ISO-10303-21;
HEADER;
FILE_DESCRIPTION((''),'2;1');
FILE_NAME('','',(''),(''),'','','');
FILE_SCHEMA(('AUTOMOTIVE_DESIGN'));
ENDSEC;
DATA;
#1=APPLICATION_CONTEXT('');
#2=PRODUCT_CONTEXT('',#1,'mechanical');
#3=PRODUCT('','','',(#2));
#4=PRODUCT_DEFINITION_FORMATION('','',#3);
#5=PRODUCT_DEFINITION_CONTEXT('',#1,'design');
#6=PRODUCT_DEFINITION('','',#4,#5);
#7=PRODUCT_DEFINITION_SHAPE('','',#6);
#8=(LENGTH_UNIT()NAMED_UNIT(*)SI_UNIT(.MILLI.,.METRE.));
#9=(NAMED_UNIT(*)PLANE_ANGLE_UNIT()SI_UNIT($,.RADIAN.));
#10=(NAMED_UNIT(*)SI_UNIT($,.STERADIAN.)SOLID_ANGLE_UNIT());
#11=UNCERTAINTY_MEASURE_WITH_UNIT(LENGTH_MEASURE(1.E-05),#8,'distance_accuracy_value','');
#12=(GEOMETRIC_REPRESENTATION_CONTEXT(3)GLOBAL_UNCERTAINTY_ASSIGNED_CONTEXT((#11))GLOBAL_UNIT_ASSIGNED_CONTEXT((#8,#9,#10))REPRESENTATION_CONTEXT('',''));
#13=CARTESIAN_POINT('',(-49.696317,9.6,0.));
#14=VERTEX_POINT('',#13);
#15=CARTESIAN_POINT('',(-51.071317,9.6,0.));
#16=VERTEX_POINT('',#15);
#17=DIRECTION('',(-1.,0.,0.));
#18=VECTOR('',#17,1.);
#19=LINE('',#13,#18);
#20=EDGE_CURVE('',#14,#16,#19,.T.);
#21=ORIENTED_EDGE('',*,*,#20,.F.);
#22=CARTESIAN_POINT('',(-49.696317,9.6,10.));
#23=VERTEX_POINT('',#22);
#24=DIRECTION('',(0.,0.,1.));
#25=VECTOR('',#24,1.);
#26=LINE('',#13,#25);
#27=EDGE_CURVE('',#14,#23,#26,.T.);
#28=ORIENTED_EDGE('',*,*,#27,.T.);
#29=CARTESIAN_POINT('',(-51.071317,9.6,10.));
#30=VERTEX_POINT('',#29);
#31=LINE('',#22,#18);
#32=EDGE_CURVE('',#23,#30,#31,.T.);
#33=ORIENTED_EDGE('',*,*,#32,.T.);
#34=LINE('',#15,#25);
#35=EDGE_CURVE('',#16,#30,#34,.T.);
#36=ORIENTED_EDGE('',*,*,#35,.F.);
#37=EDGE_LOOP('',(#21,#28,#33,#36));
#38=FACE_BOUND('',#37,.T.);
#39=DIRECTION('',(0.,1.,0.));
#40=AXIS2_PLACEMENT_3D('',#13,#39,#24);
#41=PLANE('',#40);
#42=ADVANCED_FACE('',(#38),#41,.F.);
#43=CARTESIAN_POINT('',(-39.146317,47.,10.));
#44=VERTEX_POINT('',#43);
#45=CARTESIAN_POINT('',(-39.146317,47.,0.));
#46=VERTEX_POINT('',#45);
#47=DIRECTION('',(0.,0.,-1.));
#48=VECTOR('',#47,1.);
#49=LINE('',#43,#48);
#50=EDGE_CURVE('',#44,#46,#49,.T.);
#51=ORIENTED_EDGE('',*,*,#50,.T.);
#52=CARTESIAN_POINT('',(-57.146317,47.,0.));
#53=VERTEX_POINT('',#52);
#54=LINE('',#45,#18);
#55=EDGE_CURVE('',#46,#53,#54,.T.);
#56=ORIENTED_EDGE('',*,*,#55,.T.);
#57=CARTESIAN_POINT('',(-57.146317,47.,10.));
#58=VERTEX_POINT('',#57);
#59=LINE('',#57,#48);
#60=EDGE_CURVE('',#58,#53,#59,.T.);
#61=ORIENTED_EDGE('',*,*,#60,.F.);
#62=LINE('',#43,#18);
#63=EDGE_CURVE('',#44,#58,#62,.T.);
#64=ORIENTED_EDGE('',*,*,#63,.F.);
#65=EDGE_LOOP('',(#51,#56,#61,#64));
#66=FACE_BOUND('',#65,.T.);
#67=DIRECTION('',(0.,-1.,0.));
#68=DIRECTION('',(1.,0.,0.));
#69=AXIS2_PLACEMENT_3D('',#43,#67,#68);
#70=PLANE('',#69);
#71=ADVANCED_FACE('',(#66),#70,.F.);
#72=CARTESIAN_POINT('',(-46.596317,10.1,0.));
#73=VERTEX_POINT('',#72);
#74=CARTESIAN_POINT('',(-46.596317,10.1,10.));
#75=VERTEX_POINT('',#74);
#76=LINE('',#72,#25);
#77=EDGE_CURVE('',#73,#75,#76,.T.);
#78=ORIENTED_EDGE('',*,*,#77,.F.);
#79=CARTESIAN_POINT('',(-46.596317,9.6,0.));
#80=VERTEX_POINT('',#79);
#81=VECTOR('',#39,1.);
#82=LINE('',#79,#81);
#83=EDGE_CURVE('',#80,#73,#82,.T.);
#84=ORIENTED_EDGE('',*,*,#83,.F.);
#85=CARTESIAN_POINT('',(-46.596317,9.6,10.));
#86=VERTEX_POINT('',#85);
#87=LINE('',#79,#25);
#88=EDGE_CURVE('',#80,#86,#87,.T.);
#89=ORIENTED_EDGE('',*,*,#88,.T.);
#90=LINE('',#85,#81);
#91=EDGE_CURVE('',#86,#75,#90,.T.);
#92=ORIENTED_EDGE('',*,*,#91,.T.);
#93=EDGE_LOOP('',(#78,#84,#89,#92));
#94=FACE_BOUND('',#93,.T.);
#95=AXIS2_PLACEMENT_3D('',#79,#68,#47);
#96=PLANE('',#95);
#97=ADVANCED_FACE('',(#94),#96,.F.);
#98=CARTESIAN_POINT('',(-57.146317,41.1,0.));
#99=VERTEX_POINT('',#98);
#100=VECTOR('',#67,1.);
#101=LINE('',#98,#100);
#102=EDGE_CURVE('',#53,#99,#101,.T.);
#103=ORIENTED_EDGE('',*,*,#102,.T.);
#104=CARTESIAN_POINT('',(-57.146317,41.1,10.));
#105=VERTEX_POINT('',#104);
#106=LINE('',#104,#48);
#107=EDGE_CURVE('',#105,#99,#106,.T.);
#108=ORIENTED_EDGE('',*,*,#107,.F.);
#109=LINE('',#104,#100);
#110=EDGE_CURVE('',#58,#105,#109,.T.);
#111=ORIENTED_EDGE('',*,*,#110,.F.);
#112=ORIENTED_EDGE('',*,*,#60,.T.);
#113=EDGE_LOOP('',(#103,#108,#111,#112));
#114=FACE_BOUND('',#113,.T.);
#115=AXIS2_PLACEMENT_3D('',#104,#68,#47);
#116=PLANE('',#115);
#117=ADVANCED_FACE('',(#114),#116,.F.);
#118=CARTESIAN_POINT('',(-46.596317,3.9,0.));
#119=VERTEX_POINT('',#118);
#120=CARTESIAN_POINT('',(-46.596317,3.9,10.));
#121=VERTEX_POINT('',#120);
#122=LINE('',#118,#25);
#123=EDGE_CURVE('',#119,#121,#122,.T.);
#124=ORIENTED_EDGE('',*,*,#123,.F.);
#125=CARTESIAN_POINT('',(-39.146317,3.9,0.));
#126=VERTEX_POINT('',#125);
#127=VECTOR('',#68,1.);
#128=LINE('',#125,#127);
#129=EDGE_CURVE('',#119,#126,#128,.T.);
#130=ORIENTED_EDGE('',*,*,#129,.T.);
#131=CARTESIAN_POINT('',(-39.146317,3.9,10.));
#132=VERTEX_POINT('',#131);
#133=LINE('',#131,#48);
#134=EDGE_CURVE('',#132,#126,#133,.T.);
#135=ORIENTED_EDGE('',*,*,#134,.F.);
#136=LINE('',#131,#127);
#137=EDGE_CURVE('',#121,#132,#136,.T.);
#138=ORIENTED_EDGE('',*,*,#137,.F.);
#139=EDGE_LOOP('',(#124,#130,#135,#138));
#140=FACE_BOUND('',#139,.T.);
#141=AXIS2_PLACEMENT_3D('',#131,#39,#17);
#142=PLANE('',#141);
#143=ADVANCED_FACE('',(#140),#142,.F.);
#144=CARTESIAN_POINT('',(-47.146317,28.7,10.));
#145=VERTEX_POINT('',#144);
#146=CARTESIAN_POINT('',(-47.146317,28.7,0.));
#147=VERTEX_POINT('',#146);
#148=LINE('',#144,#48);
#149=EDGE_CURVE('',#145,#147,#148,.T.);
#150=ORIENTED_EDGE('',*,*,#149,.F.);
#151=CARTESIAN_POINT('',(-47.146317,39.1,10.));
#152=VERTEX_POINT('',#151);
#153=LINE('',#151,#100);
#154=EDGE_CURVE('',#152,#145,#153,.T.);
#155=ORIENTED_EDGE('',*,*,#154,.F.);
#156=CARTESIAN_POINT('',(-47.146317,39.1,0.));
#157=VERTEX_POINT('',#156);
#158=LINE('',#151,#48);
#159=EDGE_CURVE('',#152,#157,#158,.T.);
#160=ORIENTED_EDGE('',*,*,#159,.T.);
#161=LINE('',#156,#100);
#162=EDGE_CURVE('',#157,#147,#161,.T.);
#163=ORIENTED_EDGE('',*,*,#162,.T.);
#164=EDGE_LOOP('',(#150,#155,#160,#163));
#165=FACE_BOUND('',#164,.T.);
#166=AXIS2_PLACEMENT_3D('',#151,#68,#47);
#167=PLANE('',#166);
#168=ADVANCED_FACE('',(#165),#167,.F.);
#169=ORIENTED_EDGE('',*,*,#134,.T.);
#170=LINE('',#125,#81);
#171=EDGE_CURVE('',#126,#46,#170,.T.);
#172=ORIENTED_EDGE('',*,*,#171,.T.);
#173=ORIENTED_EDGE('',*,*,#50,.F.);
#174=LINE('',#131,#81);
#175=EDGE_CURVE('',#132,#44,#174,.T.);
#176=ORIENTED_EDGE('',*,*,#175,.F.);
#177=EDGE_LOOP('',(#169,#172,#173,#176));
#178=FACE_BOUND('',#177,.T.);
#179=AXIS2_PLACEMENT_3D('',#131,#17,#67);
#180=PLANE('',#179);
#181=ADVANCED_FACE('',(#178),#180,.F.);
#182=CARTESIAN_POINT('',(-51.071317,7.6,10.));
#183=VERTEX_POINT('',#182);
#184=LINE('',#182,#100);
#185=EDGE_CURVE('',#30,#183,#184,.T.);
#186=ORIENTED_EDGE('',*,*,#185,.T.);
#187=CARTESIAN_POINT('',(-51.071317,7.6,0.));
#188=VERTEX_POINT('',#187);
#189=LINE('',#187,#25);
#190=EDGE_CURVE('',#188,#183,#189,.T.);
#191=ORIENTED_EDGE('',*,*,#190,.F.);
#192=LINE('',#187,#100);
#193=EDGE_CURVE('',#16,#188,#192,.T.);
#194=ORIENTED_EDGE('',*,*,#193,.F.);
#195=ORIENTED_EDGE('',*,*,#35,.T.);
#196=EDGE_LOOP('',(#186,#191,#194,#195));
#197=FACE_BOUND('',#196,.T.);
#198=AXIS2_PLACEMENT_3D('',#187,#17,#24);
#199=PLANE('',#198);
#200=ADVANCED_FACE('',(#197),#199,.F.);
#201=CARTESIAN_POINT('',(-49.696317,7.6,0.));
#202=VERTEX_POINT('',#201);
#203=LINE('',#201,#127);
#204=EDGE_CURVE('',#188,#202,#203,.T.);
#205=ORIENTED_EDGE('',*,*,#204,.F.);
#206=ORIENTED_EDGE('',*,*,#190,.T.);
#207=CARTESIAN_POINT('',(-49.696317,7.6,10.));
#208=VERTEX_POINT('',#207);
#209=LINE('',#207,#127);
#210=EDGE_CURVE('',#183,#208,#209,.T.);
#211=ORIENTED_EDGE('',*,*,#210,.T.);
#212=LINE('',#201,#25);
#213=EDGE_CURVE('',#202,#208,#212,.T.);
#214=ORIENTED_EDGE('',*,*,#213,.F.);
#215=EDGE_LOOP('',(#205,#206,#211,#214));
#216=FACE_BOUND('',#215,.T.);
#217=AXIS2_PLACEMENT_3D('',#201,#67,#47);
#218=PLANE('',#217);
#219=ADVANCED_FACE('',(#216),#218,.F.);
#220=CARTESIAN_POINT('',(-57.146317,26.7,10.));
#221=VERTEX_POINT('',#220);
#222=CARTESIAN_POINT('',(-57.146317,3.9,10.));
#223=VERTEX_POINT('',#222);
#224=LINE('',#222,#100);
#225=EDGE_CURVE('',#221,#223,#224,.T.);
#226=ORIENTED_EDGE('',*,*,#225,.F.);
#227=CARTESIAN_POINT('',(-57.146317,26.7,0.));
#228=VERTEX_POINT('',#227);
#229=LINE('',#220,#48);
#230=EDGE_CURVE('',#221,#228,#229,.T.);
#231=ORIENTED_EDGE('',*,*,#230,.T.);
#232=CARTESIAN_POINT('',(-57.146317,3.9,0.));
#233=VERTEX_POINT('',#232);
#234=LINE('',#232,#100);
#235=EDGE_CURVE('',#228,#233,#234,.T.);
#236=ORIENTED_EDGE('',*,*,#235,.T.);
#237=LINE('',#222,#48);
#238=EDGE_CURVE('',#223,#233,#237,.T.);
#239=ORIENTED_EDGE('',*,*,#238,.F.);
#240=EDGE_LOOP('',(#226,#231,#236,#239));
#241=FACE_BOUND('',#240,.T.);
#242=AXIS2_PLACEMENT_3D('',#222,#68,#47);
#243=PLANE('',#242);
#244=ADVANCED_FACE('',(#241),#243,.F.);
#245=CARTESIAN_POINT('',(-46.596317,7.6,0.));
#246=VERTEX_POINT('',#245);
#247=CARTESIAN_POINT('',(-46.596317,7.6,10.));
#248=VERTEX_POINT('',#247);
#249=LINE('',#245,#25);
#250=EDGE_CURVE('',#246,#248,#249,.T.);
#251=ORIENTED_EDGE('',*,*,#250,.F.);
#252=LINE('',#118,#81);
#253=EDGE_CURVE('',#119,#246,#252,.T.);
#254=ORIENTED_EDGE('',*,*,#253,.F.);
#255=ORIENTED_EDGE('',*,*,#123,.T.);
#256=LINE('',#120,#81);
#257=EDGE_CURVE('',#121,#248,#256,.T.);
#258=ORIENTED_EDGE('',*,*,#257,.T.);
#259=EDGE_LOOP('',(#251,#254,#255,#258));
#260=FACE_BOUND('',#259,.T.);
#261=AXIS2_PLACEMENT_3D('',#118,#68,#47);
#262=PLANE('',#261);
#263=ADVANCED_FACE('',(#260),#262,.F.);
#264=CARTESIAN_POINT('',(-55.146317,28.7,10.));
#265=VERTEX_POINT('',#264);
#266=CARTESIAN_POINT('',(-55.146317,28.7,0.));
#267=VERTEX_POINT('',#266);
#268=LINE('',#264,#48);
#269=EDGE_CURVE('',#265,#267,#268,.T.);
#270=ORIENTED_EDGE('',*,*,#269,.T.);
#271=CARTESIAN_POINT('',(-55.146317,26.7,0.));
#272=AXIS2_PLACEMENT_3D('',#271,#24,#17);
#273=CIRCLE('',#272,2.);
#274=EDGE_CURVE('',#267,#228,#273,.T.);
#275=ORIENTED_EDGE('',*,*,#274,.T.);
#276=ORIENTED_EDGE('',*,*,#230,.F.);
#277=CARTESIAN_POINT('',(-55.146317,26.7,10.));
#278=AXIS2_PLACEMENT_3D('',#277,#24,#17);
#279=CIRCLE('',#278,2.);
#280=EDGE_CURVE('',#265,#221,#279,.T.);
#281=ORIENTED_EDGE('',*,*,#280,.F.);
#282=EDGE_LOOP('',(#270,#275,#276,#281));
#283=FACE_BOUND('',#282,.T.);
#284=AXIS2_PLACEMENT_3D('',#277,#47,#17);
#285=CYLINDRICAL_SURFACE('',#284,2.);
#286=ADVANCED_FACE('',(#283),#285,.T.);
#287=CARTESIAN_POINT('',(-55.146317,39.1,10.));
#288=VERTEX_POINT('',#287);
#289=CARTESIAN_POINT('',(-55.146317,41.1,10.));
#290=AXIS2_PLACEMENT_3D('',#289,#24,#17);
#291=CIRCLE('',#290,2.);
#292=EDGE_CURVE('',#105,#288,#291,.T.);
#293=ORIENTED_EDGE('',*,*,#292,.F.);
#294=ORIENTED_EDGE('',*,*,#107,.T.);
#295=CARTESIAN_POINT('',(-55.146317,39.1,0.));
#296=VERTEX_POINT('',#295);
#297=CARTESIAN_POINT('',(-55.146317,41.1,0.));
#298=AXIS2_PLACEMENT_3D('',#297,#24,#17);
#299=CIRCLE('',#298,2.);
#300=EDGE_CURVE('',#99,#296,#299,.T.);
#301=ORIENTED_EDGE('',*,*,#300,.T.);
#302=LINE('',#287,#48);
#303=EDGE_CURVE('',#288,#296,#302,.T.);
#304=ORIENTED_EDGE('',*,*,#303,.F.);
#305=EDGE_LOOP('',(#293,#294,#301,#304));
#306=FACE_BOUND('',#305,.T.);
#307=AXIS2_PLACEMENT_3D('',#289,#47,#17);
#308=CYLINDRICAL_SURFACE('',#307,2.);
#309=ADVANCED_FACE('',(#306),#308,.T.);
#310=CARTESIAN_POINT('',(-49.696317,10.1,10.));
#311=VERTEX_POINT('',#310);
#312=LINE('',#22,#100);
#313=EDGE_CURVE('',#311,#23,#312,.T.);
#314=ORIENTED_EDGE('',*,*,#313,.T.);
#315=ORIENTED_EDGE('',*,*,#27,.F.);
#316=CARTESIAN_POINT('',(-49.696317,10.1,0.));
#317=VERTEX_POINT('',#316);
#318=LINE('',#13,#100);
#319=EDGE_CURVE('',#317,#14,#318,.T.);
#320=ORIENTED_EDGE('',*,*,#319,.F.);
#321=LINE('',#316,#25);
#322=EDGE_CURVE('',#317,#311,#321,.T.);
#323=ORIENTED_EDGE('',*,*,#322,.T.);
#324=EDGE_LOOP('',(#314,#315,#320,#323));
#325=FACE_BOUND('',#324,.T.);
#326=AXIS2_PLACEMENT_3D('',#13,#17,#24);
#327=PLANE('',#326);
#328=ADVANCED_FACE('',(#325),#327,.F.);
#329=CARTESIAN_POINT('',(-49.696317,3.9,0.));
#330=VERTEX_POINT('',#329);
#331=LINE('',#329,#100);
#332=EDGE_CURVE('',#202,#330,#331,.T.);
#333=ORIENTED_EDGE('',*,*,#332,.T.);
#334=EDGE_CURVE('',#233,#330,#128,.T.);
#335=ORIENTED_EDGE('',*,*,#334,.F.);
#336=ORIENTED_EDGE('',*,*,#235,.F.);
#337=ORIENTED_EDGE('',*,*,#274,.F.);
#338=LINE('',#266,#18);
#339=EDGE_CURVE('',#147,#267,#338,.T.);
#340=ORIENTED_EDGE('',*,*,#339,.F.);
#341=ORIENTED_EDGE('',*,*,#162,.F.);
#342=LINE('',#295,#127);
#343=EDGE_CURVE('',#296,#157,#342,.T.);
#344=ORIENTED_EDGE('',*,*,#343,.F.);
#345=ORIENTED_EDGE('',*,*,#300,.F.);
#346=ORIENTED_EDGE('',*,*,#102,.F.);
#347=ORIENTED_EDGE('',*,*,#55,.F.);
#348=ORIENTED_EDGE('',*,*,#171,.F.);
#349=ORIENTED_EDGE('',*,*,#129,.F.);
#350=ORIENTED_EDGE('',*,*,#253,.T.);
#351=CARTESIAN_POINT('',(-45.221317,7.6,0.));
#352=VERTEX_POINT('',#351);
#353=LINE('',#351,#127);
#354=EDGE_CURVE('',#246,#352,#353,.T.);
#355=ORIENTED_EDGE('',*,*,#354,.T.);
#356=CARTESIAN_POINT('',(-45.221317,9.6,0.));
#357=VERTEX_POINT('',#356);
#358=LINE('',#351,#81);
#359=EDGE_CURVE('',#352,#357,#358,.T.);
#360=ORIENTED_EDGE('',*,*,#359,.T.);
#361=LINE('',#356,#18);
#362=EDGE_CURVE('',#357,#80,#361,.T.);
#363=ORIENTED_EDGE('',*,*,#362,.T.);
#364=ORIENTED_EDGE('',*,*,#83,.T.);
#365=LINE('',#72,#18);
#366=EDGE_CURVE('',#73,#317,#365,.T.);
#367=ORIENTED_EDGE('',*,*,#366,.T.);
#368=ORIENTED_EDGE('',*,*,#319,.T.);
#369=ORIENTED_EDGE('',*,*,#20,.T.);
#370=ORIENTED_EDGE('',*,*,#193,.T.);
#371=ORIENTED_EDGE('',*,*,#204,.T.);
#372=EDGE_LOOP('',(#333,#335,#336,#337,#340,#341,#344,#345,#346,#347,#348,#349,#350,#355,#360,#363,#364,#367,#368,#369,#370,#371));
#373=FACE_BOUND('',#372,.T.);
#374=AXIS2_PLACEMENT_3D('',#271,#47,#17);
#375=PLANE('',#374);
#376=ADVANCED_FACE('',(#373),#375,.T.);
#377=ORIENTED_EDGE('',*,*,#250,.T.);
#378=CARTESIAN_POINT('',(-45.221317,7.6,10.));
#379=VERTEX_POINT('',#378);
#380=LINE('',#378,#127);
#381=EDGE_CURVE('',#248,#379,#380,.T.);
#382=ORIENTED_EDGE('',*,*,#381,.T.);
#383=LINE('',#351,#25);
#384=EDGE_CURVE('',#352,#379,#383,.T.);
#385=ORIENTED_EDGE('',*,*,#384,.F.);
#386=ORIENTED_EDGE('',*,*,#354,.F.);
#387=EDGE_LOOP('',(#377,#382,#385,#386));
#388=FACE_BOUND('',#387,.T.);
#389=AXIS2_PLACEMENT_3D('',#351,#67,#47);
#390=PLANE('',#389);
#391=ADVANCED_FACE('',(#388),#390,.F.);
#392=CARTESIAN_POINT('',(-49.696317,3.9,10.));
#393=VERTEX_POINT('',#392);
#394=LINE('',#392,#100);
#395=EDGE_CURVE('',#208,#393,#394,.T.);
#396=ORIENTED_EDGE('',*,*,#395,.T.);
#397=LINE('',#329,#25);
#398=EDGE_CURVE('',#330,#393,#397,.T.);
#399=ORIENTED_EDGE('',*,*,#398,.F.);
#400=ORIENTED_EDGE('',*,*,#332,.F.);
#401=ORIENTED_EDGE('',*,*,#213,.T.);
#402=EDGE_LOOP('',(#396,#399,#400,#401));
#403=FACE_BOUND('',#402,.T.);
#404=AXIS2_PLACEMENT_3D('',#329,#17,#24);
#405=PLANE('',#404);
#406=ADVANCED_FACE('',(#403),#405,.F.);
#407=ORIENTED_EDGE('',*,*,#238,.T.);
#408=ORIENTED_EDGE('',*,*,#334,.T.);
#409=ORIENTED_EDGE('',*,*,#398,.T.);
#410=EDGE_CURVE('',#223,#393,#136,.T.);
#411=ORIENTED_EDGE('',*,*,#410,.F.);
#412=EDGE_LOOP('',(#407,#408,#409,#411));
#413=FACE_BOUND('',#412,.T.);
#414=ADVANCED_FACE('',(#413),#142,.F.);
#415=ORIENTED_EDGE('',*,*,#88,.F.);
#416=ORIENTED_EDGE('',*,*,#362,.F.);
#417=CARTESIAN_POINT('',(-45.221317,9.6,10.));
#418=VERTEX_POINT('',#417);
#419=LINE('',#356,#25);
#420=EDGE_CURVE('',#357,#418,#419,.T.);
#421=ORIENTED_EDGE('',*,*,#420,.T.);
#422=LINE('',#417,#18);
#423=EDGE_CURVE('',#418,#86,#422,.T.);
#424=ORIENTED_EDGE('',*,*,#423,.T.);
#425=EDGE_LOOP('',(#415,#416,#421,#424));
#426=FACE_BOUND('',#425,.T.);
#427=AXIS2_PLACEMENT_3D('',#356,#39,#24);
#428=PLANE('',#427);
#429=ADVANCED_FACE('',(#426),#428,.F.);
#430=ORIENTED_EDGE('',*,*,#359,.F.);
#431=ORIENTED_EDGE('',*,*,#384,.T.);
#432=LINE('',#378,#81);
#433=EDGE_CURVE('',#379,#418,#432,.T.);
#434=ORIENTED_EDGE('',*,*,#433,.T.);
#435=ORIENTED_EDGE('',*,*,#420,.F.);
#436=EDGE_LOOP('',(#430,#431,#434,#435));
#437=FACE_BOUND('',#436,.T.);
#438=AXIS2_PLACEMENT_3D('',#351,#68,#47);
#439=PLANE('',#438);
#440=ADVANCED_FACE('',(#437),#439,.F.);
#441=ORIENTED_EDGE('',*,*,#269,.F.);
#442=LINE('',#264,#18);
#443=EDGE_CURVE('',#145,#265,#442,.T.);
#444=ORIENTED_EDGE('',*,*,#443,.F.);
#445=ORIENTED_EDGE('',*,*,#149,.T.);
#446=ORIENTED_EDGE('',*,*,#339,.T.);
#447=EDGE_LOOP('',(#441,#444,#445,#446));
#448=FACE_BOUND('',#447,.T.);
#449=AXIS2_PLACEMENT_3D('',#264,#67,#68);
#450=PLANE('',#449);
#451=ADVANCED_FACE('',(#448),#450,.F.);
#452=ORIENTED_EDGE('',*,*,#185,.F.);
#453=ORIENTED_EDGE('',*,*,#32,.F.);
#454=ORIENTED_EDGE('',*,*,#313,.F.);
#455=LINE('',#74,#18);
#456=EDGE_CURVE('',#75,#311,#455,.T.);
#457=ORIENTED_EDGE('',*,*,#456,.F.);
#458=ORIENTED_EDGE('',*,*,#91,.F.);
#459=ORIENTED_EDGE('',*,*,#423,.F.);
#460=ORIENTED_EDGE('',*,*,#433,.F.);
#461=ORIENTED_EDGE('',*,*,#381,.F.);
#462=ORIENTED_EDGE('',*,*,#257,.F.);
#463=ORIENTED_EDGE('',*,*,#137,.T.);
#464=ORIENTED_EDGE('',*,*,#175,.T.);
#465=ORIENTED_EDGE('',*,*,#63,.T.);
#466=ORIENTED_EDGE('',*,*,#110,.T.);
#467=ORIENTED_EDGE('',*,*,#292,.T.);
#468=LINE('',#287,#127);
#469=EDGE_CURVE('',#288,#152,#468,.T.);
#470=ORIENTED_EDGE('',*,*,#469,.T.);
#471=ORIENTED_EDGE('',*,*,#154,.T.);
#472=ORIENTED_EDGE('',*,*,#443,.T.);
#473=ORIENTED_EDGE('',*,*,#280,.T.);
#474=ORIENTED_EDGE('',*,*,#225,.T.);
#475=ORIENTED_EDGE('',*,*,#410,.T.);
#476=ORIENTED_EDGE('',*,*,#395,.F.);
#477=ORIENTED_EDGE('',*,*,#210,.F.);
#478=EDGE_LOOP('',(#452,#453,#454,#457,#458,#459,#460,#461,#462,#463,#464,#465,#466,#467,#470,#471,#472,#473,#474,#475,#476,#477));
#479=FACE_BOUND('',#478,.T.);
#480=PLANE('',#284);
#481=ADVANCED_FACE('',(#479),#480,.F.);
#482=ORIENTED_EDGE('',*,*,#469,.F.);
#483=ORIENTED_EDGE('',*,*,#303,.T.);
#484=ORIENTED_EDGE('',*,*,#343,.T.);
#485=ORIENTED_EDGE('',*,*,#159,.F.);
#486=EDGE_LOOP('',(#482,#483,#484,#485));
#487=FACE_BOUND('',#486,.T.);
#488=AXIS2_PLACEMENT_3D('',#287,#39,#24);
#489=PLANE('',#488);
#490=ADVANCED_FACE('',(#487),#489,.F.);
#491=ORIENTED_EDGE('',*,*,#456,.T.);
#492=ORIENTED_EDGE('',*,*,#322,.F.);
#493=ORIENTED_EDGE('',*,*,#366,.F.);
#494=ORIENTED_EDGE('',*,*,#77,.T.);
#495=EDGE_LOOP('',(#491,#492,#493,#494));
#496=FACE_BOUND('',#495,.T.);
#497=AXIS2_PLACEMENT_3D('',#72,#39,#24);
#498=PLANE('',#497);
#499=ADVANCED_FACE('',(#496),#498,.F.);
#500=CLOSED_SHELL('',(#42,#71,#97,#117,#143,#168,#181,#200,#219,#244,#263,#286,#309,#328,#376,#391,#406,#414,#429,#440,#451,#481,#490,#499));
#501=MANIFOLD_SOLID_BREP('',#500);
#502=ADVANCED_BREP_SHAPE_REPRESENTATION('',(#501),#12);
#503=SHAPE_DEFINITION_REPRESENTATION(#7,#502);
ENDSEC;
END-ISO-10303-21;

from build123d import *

# Parameters (mm, degrees)
DODANIE_WYCI_GNI_CIE1_DEPTH = 10
WYTNIJ_WYCI_GNI_CIE1_DEPTH  = 10


with BuildPart() as part:
    # Szkic1 → Dodanie-wyciągnięcie1 (new body)
    with BuildSketch(Plane.XY):
        with BuildLine():
            Line((-39.146316842, 3.9), (-57.146316842, 3.9))
            Line((-57.146316842, 3.9), (-57.146316842, 26.7))
            ThreePointArc((-57.146316842, 26.7), (-56.560530404, 28.114213562), (-55.146316842, 28.7))
            Line((-55.146316842, 28.7), (-47.146316842, 28.7))
            Line((-47.146316842, 28.7), (-47.146316842, 39.1))
            Line((-47.146316842, 39.1), (-55.146316842, 39.1))
            ThreePointArc((-55.146316842, 39.1), (-56.560530404, 39.685786438), (-57.146316842, 41.1))
            Line((-57.146316842, 41.1), (-57.146316842, 47))
            Line((-57.146316842, 47), (-39.146316842, 47))
            Line((-39.146316842, 47), (-39.146316842, 3.9))
        make_face()
    extrude(amount=DODANIE_WYCI_GNI_CIE1_DEPTH)

    # Szkic2 → Wytnij-wyciągnięcie1 (cut)
    with BuildSketch(Plane.XY.offset(10)):
        Polygon((-46.596316842, 3.9), (-46.596316842, 7.6), (-45.221316842, 7.6), (-45.221316842, 9.6), (-46.596316842, 9.6), (-46.596316842, 10.1), (-49.696316842, 10.1), (-49.696316842, 9.6), (-51.071316842, 9.6), (-51.071316842, 7.6), (-49.696316842, 7.6), (-49.696316842, 3.9), align=None)
    extrude(amount=-WYTNIJ_WYCI_GNI_CIE1_DEPTH, mode=Mode.SUBTRACT)


solid = part.part
